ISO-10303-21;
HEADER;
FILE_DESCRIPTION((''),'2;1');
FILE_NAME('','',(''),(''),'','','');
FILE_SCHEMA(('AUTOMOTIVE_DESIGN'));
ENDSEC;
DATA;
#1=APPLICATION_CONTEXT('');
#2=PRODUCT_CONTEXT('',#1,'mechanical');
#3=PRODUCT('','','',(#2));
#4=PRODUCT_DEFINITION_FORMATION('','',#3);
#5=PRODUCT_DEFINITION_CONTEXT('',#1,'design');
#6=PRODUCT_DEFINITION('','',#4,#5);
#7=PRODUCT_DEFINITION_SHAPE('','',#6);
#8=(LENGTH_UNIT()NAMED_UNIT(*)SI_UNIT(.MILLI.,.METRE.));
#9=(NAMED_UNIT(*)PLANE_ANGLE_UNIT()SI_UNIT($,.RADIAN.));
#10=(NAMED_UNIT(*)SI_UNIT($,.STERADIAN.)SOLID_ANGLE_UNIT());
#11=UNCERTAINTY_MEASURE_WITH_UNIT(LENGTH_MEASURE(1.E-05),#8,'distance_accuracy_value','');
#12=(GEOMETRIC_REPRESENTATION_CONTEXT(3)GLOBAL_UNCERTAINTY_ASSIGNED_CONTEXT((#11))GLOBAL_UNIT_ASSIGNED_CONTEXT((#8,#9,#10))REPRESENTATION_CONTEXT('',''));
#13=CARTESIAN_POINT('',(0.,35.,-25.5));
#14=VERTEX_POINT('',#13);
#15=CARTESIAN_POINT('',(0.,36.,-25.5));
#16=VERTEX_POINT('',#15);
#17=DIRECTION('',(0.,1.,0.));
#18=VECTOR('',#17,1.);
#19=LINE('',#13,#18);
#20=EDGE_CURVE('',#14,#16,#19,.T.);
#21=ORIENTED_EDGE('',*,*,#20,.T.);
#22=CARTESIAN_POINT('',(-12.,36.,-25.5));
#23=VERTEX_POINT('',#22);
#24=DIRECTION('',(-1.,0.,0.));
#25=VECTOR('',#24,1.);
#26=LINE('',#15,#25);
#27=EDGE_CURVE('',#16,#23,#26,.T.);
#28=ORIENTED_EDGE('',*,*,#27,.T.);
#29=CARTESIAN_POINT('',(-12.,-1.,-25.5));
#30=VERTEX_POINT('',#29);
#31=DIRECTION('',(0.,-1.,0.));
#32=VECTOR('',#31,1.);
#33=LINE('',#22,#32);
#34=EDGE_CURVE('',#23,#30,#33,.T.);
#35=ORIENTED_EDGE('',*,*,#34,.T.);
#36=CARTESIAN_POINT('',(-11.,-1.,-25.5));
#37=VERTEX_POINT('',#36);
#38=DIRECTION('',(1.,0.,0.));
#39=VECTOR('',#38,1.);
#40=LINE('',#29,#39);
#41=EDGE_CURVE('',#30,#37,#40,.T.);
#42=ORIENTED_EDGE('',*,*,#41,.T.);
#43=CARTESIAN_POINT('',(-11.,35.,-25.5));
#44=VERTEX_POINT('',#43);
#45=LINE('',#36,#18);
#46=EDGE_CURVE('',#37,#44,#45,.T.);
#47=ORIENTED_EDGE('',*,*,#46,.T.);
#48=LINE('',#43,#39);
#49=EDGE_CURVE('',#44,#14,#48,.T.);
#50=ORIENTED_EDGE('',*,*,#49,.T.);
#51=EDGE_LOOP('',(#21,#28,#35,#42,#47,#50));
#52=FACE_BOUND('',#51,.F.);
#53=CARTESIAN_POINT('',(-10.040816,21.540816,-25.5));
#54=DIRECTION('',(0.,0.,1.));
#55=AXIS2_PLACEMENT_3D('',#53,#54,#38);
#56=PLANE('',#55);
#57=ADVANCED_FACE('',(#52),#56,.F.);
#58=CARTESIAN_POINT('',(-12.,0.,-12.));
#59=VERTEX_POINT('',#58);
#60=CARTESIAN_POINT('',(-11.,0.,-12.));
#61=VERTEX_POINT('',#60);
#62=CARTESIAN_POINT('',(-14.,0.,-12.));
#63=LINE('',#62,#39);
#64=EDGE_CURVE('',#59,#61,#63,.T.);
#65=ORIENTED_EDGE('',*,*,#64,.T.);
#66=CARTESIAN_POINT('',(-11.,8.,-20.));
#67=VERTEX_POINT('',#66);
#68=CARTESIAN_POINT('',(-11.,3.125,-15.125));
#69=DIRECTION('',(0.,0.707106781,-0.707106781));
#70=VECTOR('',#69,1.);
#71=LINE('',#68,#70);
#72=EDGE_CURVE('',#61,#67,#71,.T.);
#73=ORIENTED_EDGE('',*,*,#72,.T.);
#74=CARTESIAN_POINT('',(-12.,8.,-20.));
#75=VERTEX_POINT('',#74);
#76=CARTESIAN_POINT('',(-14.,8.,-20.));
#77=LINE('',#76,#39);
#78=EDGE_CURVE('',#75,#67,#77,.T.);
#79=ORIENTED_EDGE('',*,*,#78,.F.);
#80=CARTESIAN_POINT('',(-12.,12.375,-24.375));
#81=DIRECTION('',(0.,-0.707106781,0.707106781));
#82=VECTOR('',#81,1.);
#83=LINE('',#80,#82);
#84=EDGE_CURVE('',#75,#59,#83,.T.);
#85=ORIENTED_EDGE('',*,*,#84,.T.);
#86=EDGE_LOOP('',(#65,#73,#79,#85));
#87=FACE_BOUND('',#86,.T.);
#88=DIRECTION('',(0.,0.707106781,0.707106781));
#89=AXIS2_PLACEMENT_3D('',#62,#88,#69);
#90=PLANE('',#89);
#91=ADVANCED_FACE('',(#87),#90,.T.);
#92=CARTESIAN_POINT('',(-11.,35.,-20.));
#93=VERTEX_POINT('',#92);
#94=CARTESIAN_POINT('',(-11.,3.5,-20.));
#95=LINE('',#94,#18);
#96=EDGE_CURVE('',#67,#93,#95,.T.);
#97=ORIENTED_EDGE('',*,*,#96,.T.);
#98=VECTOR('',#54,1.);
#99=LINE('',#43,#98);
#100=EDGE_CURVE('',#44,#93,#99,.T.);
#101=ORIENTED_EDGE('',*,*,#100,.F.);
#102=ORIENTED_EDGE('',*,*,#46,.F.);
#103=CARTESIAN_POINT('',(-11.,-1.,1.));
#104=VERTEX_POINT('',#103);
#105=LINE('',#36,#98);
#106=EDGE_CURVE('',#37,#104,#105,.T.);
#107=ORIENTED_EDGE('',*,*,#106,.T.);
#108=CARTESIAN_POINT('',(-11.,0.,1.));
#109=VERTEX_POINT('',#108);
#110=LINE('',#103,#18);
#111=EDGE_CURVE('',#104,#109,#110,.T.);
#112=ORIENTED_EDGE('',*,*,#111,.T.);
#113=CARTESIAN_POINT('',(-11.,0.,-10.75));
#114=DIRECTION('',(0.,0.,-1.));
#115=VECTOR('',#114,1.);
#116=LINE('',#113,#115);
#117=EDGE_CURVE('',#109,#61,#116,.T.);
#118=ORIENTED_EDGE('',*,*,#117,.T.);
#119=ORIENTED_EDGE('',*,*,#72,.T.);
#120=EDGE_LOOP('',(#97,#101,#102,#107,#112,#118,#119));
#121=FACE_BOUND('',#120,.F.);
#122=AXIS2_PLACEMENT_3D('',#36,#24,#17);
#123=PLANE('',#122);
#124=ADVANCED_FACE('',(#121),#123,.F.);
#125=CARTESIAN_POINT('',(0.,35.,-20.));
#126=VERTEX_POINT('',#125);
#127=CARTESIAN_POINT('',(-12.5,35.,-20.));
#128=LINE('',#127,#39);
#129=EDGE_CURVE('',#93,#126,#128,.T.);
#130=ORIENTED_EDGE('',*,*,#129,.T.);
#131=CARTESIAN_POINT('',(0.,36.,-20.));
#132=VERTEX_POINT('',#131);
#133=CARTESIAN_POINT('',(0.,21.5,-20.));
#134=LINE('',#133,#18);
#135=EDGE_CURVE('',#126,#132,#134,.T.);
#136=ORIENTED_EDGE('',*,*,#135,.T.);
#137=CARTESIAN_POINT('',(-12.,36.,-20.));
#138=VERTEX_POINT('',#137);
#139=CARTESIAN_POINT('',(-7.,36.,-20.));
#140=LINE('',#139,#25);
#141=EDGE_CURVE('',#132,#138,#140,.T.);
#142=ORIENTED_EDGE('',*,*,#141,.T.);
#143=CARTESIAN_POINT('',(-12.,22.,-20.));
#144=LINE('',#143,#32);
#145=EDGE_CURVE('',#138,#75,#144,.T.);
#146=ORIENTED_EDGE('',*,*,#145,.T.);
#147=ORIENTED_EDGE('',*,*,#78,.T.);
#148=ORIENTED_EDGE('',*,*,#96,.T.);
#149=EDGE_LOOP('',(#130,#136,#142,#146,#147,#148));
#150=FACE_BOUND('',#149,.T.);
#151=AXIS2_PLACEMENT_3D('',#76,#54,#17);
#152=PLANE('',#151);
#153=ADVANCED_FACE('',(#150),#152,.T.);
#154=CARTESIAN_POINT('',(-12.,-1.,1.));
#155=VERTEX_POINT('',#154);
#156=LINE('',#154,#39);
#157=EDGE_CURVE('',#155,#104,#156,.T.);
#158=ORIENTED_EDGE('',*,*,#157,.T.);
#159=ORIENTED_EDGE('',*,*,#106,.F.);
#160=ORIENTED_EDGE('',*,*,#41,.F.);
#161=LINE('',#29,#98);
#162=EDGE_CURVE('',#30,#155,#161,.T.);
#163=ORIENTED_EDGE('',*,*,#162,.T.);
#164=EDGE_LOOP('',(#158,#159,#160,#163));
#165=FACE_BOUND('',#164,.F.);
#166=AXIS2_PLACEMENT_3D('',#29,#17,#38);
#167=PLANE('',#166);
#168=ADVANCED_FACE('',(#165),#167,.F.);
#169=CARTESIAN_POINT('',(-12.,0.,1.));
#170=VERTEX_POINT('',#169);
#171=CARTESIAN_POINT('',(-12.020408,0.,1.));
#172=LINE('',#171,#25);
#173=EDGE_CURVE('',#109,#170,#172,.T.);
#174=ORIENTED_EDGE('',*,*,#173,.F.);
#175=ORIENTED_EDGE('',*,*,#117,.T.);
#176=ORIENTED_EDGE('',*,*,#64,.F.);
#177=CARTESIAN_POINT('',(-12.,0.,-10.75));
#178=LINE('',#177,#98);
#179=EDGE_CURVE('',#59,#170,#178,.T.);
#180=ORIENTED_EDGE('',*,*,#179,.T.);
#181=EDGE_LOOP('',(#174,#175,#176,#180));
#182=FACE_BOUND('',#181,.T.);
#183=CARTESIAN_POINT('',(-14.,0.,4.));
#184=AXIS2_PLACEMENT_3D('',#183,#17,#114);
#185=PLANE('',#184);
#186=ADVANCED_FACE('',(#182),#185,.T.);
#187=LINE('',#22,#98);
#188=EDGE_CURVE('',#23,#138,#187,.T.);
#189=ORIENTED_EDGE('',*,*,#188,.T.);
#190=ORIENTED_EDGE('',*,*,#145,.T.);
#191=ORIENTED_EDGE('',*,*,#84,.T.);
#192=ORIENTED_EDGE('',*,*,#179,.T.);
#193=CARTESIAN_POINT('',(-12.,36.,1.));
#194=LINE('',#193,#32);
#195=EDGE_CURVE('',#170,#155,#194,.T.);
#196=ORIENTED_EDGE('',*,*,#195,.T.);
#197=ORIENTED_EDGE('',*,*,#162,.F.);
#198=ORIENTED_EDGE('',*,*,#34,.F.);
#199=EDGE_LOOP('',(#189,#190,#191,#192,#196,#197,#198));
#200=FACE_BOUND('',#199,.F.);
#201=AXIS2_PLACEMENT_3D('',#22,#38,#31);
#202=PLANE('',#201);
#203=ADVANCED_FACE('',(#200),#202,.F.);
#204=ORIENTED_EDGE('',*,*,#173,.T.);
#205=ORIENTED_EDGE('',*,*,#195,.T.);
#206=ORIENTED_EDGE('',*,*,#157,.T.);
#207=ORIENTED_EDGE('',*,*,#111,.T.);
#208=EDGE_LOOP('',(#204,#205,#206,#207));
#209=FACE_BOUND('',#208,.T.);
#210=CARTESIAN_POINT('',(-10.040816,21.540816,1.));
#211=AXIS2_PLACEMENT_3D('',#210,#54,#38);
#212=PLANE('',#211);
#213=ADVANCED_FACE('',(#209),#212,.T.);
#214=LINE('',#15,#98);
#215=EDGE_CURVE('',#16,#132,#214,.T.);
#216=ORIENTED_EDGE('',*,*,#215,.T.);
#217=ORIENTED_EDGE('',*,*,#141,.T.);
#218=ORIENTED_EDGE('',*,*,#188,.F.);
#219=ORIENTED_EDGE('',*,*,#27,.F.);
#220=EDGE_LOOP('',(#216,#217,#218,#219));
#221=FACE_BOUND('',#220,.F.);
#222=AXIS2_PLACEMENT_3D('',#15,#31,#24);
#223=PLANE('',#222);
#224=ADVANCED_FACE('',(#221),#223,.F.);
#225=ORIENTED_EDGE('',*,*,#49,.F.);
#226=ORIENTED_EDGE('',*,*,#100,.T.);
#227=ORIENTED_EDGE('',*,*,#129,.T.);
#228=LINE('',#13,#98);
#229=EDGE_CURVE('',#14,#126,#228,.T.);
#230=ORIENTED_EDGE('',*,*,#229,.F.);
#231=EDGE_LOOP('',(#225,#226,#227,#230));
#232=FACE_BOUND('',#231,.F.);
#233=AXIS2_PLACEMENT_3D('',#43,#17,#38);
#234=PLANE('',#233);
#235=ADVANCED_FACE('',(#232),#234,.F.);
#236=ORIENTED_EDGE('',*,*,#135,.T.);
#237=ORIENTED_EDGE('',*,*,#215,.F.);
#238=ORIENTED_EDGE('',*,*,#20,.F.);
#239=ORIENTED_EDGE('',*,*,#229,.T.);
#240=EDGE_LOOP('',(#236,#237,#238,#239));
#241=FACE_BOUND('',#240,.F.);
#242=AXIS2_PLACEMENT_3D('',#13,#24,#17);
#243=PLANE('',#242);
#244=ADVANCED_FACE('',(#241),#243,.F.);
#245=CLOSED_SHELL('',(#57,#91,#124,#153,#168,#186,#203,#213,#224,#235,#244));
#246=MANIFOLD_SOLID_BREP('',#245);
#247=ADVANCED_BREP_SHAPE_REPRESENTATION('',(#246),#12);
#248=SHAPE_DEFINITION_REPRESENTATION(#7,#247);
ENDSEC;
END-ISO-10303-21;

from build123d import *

# Parameters (mm, degrees)
EXTRUDE039_DEPTH = 15
EXTRUDE038_DEPTH = 26.5


with BuildPart() as extrude039:
    # Sketch046 → Extrude039 (new body)
    with BuildSketch(Plane(origin=(-14, 0, 0), x_dir=(0, -1, 0), z_dir=(-1, 0, 0))):
        Polygon((0, 4), (0, -12), (-8, -20), (-41, -20), (-41, 4), align=None)
    extrude(amount=-EXTRUDE039_DEPTH)


with BuildPart() as cut009:
    # Sketch045 → Extrude038 (new body)
    with BuildSketch(Plane.XY.offset(-25.5)):
        Polygon((-11, -1), (-11, 35), (0, 35), (0, 36), (-12, 36), (-12, -1), align=None)
    extrude(amount=EXTRUDE038_DEPTH)

    # Cut009: cut Extrude039
    add(extrude039.part, mode=Mode.SUBTRACT)


solid = cut009.part
